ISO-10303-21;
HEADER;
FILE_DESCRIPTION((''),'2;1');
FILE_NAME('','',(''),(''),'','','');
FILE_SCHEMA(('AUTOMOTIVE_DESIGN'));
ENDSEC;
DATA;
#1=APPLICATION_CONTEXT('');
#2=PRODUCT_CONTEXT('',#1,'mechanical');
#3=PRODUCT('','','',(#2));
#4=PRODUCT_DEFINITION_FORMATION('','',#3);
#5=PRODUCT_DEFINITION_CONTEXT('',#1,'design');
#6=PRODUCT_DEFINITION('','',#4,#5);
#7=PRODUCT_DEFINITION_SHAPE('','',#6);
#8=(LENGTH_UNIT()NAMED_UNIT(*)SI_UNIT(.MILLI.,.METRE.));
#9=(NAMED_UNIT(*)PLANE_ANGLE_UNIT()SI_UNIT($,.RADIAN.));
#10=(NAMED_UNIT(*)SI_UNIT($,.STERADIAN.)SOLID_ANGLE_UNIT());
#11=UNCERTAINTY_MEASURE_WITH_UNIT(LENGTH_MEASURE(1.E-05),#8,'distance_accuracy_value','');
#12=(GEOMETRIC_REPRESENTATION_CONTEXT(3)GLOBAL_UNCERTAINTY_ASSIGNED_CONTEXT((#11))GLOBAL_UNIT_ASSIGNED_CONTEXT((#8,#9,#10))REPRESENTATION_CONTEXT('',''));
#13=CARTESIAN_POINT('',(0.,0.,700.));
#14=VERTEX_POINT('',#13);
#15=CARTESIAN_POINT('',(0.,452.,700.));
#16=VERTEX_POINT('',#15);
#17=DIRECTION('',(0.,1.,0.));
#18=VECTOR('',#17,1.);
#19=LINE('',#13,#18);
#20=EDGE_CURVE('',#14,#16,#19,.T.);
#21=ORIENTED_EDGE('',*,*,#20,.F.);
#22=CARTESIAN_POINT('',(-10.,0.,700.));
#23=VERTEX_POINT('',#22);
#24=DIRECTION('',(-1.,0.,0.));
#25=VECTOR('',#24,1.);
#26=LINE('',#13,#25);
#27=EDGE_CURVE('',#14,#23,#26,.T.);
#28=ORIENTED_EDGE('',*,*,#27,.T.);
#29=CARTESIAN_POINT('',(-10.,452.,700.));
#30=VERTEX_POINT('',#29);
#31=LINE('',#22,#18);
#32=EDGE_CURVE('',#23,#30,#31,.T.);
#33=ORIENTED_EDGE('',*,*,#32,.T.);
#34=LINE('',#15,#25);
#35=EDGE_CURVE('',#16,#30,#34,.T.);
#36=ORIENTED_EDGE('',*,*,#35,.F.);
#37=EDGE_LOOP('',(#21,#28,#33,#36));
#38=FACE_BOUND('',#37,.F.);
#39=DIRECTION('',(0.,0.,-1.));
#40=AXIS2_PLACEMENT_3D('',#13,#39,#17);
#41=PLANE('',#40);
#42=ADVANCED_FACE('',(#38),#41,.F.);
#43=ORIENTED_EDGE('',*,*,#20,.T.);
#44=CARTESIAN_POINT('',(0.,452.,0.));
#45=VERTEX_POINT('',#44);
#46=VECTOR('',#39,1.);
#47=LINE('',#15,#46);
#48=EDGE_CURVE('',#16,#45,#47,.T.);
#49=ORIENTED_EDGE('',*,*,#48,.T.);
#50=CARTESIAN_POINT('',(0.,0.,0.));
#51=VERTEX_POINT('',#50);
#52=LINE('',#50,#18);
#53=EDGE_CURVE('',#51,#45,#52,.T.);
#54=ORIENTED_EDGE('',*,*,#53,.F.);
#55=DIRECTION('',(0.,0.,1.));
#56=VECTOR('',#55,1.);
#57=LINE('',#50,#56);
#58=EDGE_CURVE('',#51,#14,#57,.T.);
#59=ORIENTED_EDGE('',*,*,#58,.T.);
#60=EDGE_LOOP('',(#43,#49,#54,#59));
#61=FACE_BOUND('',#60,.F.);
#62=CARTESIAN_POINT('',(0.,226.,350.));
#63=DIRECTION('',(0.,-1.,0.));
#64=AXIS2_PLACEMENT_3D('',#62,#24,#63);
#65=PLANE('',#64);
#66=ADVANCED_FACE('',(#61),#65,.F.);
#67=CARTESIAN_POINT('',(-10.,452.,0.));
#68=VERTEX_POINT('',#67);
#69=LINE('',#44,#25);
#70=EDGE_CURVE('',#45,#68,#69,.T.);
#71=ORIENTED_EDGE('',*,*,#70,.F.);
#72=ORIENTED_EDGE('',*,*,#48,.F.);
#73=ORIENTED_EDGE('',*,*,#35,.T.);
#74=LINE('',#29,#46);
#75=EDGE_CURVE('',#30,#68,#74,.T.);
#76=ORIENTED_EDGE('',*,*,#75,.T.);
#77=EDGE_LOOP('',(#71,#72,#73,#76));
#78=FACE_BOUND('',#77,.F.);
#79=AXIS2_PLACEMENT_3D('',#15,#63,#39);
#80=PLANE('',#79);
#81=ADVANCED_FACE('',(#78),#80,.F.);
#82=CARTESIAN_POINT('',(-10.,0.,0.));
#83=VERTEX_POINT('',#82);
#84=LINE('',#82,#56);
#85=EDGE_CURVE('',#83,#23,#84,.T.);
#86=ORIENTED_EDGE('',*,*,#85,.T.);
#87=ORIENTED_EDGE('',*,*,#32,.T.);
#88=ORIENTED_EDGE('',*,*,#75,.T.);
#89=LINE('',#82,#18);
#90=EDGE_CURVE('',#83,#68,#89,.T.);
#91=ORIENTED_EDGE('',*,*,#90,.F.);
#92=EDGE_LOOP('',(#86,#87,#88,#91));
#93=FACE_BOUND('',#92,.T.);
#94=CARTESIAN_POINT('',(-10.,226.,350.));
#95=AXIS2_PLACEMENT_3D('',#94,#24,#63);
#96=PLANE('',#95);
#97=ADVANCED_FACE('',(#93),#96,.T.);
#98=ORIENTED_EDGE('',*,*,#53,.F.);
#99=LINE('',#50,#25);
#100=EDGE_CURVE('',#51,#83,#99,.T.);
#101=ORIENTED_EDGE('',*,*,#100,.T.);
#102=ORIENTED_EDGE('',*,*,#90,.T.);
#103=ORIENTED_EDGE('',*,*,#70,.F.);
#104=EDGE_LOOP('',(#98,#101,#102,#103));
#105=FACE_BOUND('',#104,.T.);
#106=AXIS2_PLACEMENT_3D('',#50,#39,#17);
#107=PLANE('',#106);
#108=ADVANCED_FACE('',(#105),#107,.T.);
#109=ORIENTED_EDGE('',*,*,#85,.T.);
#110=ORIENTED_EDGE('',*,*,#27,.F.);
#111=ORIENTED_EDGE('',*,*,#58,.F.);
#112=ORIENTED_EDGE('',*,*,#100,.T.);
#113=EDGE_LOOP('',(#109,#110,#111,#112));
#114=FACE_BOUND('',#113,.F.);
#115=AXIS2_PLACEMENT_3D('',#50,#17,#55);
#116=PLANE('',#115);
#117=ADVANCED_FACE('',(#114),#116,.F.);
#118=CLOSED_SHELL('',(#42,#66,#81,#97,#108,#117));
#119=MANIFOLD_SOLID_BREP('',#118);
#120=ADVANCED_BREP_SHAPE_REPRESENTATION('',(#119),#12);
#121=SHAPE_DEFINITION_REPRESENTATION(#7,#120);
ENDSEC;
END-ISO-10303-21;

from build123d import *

# Parameters (mm, degrees)
PAD_DEPTH = 10


with BuildPart() as part:
    # Sketch → Pad (new body)
    with BuildSketch(Plane.YZ):
        Polygon((0, 0), (0, 700), (452, 700), (452, 0), (226, 0), align=None)
    extrude(amount=-PAD_DEPTH)


solid = part.part
